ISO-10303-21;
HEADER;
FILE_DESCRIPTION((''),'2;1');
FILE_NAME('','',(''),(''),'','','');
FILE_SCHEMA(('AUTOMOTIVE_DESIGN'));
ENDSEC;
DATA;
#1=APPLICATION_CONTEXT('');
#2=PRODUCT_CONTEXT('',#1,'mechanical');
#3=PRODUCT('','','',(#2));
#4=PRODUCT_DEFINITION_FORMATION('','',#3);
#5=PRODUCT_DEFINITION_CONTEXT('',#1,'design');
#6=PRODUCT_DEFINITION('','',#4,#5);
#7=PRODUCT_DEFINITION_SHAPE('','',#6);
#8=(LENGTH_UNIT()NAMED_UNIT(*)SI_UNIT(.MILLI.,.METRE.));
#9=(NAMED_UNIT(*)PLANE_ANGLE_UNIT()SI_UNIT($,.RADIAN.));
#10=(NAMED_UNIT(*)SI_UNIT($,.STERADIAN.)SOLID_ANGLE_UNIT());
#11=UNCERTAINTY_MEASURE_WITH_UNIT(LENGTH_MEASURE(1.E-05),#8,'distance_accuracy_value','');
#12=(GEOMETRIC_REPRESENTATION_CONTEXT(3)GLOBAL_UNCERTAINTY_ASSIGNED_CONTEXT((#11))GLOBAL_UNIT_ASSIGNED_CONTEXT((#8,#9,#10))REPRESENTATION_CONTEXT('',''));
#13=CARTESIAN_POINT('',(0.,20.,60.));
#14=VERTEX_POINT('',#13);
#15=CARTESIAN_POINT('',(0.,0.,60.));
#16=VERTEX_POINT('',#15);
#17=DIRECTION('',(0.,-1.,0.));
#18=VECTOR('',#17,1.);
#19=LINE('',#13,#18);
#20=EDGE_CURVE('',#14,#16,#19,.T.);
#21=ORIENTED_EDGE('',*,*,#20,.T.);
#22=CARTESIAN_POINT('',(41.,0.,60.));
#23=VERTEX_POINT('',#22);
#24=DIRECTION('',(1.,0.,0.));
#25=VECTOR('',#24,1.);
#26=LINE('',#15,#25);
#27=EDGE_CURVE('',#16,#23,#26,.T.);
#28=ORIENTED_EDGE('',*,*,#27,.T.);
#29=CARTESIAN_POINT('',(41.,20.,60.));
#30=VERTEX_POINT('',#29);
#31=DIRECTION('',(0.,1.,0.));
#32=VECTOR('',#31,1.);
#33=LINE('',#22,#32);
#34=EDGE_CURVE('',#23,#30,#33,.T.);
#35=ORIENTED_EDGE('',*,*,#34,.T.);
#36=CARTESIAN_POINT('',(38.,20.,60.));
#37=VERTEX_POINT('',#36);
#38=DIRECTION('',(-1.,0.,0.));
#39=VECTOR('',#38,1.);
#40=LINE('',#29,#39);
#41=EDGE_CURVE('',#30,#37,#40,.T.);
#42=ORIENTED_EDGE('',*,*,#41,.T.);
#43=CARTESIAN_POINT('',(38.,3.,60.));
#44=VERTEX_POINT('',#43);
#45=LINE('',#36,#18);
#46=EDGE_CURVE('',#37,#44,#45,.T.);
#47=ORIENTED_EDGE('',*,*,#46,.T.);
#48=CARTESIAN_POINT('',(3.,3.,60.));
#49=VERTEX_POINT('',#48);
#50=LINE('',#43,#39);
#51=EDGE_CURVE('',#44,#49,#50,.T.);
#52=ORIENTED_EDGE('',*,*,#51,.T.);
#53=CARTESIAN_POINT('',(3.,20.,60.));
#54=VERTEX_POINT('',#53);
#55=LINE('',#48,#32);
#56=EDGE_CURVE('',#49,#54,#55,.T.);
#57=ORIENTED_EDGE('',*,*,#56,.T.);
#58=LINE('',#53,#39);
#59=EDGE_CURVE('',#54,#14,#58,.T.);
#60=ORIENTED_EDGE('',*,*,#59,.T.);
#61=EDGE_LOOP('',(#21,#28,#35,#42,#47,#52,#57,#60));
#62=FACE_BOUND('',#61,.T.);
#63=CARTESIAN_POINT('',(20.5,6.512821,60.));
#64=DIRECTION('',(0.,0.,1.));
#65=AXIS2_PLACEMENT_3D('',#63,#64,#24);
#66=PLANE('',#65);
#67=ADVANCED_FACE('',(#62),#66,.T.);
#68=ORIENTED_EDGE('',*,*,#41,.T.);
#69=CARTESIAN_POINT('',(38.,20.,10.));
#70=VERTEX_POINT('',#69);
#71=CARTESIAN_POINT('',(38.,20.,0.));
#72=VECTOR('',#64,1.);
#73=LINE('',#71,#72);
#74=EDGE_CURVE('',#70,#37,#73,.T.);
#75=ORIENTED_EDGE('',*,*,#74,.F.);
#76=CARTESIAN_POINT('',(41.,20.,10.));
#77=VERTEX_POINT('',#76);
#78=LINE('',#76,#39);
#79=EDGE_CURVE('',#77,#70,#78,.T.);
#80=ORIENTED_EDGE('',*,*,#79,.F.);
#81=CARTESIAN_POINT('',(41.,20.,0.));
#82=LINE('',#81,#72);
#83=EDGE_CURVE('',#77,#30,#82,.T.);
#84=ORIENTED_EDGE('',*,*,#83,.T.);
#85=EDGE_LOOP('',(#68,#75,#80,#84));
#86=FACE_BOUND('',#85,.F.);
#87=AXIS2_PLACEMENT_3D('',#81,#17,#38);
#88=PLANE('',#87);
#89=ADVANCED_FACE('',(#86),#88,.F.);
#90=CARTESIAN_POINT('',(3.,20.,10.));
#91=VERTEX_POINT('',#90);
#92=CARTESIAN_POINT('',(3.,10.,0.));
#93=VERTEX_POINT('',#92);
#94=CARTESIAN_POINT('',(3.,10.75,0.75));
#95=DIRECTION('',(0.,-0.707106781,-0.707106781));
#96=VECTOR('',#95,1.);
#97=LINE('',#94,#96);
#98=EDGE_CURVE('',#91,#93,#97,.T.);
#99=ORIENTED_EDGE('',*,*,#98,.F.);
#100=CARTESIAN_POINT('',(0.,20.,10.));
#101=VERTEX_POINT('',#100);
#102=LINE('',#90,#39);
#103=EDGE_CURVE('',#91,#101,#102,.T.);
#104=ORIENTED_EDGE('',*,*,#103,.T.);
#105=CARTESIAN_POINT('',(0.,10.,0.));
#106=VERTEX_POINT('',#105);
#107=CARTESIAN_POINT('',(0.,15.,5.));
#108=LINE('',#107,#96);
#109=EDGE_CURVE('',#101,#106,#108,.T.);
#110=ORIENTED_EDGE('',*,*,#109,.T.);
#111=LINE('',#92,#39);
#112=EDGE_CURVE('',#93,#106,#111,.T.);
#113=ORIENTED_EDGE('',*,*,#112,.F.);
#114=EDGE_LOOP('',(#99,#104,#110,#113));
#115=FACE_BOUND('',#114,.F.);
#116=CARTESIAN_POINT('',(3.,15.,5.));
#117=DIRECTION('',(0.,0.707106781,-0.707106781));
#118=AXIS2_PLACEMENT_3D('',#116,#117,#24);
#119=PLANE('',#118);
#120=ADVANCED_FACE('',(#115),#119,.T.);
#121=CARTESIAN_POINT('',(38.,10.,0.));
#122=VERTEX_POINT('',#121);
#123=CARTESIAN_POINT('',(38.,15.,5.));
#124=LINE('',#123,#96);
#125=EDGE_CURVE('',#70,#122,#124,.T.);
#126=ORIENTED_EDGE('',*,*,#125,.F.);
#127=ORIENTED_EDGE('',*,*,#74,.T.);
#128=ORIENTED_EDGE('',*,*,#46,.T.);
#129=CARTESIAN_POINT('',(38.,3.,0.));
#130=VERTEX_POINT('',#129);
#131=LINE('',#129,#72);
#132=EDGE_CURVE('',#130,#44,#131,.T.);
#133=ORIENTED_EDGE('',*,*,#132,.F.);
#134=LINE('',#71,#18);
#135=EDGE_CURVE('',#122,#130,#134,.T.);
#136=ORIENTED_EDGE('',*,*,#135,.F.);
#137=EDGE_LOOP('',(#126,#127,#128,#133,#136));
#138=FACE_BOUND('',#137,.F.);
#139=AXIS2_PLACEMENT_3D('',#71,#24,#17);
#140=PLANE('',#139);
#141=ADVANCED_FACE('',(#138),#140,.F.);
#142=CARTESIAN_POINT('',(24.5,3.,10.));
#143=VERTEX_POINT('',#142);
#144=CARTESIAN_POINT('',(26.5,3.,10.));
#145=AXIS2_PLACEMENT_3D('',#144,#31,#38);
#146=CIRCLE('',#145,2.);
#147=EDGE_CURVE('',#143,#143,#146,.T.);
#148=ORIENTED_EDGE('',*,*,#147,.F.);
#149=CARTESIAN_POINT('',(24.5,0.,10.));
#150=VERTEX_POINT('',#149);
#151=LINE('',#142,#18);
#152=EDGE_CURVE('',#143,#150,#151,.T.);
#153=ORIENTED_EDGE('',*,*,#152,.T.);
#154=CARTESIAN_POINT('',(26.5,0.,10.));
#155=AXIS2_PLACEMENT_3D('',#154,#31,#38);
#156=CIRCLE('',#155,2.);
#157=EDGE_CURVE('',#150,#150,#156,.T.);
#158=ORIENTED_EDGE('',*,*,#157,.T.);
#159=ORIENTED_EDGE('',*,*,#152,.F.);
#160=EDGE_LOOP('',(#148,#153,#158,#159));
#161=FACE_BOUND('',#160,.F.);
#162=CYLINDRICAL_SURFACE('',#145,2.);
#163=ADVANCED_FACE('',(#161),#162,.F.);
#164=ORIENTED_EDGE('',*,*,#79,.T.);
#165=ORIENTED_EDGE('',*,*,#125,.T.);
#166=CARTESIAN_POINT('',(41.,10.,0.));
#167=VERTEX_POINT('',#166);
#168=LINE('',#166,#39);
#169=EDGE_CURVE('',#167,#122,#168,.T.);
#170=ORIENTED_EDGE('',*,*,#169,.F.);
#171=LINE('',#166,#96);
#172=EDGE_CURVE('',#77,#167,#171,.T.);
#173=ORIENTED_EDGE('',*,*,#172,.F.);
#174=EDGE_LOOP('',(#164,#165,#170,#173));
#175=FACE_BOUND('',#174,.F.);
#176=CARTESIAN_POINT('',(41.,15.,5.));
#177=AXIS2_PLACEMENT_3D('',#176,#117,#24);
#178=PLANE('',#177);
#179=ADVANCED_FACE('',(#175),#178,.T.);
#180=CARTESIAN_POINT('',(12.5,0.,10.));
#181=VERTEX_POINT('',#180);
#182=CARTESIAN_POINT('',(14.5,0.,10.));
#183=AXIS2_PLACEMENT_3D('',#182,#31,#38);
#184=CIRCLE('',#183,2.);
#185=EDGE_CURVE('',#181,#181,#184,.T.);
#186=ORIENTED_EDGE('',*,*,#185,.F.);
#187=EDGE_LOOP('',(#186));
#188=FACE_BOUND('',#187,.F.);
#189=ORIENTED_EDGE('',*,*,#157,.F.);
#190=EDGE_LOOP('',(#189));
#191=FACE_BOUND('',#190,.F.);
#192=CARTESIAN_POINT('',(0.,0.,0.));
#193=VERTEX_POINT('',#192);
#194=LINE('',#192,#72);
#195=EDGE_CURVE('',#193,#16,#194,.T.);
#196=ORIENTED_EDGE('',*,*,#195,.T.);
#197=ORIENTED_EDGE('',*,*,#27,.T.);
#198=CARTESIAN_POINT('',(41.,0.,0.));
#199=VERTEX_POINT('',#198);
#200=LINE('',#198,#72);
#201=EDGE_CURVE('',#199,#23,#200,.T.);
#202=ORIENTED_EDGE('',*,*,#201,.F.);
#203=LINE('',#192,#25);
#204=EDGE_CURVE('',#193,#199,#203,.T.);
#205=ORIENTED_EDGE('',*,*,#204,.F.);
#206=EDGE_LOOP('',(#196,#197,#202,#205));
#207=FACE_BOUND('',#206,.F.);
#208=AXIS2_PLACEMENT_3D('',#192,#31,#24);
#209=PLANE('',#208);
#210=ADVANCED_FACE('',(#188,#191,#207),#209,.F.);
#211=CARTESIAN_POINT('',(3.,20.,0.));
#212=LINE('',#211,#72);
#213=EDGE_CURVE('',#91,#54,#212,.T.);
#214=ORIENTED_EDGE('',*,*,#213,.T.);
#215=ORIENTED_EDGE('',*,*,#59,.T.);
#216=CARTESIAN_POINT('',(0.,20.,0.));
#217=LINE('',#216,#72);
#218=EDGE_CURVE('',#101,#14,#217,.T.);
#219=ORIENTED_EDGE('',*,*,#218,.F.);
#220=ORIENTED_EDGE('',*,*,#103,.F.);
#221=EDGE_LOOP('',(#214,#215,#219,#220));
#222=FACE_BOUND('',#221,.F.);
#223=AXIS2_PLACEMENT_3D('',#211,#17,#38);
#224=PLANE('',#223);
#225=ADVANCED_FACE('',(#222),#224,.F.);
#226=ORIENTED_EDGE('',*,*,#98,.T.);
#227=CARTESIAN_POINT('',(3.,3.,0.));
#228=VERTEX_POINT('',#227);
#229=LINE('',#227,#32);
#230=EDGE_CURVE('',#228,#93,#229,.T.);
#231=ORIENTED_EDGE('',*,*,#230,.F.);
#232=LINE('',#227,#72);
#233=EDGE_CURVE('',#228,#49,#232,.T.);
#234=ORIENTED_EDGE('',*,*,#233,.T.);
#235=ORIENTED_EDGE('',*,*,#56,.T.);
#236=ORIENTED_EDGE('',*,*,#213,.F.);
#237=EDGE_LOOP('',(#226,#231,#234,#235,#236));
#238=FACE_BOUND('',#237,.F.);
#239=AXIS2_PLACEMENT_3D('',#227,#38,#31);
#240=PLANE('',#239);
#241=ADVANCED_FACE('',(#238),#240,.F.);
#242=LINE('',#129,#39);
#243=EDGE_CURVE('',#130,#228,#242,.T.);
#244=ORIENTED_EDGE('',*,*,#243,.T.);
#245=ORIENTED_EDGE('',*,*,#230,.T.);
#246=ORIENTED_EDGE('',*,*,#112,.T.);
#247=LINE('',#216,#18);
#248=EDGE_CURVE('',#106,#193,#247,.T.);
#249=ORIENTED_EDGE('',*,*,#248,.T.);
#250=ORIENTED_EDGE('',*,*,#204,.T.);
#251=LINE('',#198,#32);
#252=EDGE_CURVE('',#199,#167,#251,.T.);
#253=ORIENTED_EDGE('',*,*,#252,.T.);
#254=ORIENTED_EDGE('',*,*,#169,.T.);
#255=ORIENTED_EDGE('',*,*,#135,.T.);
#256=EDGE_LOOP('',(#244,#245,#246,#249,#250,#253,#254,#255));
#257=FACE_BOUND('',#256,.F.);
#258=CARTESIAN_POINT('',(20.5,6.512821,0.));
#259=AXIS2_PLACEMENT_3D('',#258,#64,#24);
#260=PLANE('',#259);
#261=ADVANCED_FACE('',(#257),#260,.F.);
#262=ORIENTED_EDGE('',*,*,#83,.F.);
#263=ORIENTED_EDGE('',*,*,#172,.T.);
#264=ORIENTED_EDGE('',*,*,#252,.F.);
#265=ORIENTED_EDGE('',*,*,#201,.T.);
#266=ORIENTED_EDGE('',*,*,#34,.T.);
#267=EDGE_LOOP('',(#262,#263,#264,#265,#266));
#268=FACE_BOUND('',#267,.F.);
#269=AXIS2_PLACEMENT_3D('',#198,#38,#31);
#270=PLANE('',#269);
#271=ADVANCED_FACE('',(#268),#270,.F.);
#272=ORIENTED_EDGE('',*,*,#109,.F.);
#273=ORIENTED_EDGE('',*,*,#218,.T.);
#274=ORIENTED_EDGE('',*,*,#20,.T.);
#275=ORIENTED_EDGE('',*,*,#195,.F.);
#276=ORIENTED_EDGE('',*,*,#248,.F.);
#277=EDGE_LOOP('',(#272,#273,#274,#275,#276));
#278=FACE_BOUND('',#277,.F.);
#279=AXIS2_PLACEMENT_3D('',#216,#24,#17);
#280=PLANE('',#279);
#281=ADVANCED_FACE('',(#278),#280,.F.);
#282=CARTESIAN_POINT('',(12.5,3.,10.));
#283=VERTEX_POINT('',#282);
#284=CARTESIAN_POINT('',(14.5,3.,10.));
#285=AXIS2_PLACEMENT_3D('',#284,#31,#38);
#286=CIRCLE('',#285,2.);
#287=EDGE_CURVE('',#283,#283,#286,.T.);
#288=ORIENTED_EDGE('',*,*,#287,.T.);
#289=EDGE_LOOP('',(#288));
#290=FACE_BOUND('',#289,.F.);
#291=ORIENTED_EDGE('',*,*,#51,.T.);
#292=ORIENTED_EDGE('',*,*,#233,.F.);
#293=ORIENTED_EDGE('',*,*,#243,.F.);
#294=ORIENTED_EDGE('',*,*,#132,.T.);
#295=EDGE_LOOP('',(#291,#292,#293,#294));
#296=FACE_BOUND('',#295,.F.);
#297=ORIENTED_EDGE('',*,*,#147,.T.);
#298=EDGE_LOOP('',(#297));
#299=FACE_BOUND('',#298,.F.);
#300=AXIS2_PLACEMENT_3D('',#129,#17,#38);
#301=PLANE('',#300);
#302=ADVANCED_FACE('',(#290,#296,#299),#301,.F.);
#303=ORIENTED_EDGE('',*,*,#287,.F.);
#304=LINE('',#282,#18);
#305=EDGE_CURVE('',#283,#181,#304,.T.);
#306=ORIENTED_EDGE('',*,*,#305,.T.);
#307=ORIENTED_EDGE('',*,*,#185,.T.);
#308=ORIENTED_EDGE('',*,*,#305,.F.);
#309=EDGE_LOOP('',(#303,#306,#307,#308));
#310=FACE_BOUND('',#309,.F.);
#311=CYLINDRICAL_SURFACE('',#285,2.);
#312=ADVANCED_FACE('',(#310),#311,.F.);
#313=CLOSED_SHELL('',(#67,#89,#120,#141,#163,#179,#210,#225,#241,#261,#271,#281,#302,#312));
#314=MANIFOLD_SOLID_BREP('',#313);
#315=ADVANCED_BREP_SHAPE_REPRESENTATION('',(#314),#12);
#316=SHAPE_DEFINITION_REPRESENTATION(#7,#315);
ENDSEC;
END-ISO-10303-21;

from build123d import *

# Parameters (mm, degrees)
F1_DEPTH = 60
F2_SIZE  = 10
F3_R     = 2
F4_DEPTH = 25


with BuildPart() as f1:
    # F0 (on Top) → F1 (new body)
    with BuildSketch(Plane.XY):
        Polygon((0, 20), (0, 0), (41, 0), (41, 20), (38, 20), (38, 3), (3, 3), (3, 20), align=None)
    extrude(amount=F1_DEPTH)

    # F2
    f2_edges = [f1.edges().sort_by_distance(p)[0] for p in [
        (39.5, 20, 0),
        (1.5, 20, 0),
    ]]
    chamfer(f2_edges, length=F2_SIZE)

    # F3 (on face) → F4 (cut)
    with BuildSketch(Plane(origin=(0, 3, 0), x_dir=(-1, 0, 0), z_dir=(0, 1, 0))):
        with Locations((-14.5, 10)):
            Circle(F3_R)
        with Locations((-26.5, 10)):
            Circle(F3_R)
    extrude(amount=-F4_DEPTH, mode=Mode.SUBTRACT)


solid = f1.part
